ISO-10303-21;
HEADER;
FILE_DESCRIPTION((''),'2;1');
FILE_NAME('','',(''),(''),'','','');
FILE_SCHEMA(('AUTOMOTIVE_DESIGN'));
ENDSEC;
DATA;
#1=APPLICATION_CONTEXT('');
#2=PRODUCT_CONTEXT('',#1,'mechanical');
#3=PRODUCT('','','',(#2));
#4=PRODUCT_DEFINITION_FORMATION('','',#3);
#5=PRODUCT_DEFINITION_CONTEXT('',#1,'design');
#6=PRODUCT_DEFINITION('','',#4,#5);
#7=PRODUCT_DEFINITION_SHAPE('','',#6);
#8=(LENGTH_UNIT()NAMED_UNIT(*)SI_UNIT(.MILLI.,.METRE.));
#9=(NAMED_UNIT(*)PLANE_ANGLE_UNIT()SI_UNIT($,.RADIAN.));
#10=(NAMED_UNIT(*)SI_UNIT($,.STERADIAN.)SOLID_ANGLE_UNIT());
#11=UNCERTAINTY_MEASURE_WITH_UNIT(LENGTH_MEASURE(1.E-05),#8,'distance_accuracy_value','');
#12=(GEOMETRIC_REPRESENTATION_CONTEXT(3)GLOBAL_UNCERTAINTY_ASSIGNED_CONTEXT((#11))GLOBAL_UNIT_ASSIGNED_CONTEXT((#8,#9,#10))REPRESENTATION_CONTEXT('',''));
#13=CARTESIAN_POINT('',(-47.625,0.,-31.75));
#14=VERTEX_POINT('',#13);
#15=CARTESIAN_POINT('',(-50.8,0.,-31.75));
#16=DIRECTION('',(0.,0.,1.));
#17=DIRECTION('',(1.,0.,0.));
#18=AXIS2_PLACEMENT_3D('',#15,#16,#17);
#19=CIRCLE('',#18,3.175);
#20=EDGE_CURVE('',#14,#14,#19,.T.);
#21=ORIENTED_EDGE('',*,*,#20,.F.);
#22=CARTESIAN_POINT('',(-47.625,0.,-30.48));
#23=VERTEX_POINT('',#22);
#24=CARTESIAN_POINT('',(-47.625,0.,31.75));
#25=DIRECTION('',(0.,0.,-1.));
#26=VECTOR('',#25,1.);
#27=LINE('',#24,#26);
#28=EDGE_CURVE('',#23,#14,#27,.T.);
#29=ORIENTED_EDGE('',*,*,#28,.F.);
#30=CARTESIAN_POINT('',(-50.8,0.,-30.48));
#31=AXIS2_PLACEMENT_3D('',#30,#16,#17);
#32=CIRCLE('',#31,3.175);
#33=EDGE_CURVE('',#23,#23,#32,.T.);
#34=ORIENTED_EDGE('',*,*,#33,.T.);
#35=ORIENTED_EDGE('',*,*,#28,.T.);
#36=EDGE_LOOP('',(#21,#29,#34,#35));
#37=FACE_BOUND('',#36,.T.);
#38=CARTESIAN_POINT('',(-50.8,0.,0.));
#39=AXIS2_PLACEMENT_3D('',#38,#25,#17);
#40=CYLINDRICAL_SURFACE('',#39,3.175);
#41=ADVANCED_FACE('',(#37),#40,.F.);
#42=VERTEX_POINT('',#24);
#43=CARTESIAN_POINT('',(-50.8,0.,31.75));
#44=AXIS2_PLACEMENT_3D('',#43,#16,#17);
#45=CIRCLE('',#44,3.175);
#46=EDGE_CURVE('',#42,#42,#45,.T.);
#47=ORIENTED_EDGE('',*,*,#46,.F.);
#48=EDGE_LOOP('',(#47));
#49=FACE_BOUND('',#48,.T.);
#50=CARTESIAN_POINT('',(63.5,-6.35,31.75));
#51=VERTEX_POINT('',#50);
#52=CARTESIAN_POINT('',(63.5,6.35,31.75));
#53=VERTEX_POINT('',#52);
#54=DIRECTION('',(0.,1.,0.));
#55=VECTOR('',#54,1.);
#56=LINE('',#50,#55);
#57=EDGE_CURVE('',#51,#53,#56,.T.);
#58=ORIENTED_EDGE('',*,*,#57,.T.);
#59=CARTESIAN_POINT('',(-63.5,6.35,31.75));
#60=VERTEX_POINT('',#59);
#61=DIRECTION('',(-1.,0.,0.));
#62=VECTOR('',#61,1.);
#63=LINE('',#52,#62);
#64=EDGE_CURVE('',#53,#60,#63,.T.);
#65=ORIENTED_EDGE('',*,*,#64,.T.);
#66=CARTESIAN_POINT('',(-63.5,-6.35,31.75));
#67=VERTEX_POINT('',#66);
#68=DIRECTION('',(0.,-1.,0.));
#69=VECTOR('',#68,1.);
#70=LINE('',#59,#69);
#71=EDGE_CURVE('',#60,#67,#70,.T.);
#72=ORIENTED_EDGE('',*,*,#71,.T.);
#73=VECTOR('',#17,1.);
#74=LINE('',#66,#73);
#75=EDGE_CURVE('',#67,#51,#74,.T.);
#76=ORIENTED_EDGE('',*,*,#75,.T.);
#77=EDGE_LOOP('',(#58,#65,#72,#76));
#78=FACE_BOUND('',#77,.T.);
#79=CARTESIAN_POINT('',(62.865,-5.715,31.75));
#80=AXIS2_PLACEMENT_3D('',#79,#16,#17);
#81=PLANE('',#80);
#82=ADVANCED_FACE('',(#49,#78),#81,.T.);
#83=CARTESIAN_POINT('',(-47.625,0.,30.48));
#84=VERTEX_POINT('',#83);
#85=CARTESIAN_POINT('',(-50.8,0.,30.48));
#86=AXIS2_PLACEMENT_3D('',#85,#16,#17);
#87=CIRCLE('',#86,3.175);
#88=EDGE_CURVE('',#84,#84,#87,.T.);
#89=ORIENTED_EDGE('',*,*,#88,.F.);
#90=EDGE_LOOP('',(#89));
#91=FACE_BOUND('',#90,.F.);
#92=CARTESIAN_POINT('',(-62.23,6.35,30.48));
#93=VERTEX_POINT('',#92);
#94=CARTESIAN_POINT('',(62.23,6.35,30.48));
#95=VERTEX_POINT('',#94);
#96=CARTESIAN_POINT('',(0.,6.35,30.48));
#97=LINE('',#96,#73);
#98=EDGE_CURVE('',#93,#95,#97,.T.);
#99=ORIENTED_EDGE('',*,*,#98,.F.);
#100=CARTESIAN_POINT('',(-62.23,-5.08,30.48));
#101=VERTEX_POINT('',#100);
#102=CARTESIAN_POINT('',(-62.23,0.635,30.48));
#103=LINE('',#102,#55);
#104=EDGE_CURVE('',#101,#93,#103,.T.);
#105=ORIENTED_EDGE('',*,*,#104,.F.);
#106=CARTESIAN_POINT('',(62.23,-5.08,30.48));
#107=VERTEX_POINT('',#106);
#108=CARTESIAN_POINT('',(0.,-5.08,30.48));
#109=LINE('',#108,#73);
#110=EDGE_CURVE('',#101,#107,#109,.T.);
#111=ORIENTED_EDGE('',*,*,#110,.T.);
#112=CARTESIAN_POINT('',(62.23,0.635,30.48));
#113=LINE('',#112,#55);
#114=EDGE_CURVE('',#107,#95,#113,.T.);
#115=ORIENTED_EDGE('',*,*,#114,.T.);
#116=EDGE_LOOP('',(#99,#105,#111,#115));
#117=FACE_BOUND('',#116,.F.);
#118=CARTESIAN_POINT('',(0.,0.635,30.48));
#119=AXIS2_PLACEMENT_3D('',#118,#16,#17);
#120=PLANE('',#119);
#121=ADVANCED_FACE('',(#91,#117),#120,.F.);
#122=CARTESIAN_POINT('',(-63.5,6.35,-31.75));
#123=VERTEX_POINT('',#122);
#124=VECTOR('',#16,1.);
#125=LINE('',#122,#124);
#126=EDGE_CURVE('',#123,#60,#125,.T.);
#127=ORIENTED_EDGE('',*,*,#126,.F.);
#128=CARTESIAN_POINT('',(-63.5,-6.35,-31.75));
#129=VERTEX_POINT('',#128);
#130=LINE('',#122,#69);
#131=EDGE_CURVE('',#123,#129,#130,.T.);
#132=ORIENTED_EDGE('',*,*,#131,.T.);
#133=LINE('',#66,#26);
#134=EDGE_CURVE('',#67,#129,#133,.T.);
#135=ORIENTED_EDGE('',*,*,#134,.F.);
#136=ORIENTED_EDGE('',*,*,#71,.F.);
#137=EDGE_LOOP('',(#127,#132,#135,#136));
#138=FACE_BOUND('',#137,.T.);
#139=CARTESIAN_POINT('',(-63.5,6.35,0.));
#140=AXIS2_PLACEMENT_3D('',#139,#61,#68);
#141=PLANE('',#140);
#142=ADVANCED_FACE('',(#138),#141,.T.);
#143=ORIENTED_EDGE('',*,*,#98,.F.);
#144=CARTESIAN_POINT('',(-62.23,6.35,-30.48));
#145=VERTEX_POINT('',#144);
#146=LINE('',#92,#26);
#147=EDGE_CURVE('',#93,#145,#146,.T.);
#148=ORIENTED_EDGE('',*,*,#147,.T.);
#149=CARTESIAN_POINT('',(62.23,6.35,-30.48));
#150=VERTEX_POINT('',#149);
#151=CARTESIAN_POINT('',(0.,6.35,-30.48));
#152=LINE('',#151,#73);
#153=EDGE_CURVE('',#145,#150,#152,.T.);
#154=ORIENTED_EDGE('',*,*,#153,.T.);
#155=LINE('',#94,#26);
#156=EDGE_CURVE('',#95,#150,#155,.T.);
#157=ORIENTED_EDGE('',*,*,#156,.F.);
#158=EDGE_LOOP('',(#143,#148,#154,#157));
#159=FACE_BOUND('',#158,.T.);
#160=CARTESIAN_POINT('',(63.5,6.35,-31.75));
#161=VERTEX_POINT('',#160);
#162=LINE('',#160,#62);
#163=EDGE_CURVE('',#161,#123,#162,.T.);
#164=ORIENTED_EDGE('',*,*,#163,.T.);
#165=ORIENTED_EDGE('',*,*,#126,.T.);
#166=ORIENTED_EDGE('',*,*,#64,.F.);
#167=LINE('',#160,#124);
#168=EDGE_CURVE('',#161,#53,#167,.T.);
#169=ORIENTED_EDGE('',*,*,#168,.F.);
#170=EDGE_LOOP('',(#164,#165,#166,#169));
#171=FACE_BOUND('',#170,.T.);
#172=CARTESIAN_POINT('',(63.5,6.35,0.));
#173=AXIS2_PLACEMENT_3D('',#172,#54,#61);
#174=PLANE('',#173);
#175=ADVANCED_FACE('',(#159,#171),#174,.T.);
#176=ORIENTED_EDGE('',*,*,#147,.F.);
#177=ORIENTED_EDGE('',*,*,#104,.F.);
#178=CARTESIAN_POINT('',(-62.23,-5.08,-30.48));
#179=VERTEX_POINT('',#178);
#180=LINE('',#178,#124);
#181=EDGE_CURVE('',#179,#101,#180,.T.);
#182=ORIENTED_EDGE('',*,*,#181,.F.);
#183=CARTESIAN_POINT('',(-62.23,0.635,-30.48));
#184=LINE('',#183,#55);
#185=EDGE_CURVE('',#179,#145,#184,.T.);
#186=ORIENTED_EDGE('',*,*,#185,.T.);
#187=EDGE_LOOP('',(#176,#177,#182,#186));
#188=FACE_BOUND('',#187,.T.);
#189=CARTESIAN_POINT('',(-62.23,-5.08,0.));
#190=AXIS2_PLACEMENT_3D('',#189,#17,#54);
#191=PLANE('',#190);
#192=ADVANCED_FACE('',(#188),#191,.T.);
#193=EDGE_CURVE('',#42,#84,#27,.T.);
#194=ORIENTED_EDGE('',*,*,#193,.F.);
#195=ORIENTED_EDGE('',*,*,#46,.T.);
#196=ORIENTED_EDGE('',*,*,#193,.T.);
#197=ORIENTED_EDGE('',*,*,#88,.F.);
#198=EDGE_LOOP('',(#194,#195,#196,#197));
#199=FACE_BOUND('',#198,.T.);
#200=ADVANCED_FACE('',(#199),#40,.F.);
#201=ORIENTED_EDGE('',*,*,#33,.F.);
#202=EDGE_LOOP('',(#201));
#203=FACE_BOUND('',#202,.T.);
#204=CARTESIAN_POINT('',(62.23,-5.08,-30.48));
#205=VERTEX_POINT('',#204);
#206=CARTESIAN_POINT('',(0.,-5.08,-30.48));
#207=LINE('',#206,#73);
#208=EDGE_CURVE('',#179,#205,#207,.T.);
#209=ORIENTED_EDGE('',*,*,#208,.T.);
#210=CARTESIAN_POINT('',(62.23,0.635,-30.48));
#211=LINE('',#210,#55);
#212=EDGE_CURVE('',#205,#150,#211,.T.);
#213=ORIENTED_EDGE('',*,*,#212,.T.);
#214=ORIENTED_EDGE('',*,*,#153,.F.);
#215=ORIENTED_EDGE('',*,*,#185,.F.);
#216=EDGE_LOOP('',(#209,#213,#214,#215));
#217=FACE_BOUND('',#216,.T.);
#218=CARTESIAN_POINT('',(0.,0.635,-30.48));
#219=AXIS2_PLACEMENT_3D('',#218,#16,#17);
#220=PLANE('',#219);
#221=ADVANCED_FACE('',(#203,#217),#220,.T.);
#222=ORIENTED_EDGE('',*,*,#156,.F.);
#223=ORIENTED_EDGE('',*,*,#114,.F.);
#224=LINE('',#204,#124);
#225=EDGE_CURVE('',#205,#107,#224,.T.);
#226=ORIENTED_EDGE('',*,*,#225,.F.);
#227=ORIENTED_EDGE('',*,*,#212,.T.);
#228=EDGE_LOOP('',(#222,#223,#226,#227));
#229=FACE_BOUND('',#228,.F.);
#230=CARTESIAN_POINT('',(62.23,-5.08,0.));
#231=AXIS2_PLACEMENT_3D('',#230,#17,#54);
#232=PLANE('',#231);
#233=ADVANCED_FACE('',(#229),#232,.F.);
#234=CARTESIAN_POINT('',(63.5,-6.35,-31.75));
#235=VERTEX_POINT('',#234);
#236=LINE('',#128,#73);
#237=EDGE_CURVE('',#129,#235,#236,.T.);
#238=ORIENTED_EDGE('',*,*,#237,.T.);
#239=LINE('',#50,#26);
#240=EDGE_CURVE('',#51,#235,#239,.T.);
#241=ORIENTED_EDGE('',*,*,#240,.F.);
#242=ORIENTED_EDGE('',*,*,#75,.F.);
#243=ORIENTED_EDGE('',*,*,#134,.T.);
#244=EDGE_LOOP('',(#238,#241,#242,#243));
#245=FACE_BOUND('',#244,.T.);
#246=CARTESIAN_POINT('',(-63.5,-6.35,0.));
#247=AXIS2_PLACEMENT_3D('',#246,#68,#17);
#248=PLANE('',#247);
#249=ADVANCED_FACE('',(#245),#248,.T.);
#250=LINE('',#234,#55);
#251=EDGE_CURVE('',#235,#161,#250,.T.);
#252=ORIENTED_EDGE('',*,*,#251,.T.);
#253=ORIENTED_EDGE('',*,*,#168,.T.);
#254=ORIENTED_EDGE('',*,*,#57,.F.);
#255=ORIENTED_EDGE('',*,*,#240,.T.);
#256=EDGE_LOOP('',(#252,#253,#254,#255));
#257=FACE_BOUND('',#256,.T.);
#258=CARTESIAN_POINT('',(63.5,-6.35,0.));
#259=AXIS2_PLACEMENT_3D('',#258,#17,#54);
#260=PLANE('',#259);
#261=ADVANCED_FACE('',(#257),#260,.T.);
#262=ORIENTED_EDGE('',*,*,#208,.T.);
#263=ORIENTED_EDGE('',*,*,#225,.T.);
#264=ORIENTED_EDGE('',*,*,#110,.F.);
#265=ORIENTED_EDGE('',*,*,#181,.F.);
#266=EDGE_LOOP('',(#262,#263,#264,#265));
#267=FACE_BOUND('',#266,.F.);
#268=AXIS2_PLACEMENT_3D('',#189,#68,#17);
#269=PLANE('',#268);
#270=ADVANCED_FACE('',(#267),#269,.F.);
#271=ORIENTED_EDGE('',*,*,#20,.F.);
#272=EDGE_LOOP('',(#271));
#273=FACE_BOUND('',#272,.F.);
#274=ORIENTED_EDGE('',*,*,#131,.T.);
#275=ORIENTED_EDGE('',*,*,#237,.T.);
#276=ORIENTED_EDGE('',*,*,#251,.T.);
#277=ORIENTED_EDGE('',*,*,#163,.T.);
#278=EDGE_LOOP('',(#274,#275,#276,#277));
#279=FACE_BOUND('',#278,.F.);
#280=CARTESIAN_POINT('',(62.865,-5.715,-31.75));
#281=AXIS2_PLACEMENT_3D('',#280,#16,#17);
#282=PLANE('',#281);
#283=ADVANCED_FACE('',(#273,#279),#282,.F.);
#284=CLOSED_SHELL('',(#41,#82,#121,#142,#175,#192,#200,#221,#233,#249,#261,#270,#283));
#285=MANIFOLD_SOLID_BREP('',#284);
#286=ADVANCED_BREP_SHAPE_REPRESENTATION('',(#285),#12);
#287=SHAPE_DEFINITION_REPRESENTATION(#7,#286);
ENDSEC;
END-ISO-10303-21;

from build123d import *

# Parameters (mm, degrees)
F0_W     = 1.27
F0_H     = 1.27
F0_W_2   = 124.46
F0_H_2   = 11.43
F0_R     = 3.175
F1_DEPTH = 31.75
F2_DEPTH = 30.48


with BuildPart() as f1:
    # F0 (on Top) → F1 (new body, symmetric)
    with BuildSketch(Plane.XY):
        with Locations((62.865, -5.715)):
            Rectangle(F0_W, F0_H)
        with Locations((0, -5.715)):
            Rectangle(F0_W_2, F0_H)
        with Locations((62.865, 0.635)):
            Rectangle(F0_W, F0_H_2)
        Polygon((-63.5, -6.35), (-62.23, -6.35), (-62.23, -5.08), (-62.23, 6.35), (-63.5, 6.35), align=None)
        with Locations((0, 0.635)):
            Rectangle(F0_W_2, F0_H_2)
        with Locations((-50.8, 0)):
            Circle(F0_R, mode=Mode.SUBTRACT)
    extrude(amount=F1_DEPTH, both=True)

    # F0 (on Top) → F2 (cut, symmetric)
    with BuildSketch(Plane.XY):
        with Locations((0, 0.635)):
            Rectangle(F0_W_2, F0_H_2)
        with Locations((-50.8, 0)):
            Circle(F0_R, mode=Mode.SUBTRACT)
    extrude(amount=F2_DEPTH, both=True, mode=Mode.SUBTRACT)


solid = f1.part
